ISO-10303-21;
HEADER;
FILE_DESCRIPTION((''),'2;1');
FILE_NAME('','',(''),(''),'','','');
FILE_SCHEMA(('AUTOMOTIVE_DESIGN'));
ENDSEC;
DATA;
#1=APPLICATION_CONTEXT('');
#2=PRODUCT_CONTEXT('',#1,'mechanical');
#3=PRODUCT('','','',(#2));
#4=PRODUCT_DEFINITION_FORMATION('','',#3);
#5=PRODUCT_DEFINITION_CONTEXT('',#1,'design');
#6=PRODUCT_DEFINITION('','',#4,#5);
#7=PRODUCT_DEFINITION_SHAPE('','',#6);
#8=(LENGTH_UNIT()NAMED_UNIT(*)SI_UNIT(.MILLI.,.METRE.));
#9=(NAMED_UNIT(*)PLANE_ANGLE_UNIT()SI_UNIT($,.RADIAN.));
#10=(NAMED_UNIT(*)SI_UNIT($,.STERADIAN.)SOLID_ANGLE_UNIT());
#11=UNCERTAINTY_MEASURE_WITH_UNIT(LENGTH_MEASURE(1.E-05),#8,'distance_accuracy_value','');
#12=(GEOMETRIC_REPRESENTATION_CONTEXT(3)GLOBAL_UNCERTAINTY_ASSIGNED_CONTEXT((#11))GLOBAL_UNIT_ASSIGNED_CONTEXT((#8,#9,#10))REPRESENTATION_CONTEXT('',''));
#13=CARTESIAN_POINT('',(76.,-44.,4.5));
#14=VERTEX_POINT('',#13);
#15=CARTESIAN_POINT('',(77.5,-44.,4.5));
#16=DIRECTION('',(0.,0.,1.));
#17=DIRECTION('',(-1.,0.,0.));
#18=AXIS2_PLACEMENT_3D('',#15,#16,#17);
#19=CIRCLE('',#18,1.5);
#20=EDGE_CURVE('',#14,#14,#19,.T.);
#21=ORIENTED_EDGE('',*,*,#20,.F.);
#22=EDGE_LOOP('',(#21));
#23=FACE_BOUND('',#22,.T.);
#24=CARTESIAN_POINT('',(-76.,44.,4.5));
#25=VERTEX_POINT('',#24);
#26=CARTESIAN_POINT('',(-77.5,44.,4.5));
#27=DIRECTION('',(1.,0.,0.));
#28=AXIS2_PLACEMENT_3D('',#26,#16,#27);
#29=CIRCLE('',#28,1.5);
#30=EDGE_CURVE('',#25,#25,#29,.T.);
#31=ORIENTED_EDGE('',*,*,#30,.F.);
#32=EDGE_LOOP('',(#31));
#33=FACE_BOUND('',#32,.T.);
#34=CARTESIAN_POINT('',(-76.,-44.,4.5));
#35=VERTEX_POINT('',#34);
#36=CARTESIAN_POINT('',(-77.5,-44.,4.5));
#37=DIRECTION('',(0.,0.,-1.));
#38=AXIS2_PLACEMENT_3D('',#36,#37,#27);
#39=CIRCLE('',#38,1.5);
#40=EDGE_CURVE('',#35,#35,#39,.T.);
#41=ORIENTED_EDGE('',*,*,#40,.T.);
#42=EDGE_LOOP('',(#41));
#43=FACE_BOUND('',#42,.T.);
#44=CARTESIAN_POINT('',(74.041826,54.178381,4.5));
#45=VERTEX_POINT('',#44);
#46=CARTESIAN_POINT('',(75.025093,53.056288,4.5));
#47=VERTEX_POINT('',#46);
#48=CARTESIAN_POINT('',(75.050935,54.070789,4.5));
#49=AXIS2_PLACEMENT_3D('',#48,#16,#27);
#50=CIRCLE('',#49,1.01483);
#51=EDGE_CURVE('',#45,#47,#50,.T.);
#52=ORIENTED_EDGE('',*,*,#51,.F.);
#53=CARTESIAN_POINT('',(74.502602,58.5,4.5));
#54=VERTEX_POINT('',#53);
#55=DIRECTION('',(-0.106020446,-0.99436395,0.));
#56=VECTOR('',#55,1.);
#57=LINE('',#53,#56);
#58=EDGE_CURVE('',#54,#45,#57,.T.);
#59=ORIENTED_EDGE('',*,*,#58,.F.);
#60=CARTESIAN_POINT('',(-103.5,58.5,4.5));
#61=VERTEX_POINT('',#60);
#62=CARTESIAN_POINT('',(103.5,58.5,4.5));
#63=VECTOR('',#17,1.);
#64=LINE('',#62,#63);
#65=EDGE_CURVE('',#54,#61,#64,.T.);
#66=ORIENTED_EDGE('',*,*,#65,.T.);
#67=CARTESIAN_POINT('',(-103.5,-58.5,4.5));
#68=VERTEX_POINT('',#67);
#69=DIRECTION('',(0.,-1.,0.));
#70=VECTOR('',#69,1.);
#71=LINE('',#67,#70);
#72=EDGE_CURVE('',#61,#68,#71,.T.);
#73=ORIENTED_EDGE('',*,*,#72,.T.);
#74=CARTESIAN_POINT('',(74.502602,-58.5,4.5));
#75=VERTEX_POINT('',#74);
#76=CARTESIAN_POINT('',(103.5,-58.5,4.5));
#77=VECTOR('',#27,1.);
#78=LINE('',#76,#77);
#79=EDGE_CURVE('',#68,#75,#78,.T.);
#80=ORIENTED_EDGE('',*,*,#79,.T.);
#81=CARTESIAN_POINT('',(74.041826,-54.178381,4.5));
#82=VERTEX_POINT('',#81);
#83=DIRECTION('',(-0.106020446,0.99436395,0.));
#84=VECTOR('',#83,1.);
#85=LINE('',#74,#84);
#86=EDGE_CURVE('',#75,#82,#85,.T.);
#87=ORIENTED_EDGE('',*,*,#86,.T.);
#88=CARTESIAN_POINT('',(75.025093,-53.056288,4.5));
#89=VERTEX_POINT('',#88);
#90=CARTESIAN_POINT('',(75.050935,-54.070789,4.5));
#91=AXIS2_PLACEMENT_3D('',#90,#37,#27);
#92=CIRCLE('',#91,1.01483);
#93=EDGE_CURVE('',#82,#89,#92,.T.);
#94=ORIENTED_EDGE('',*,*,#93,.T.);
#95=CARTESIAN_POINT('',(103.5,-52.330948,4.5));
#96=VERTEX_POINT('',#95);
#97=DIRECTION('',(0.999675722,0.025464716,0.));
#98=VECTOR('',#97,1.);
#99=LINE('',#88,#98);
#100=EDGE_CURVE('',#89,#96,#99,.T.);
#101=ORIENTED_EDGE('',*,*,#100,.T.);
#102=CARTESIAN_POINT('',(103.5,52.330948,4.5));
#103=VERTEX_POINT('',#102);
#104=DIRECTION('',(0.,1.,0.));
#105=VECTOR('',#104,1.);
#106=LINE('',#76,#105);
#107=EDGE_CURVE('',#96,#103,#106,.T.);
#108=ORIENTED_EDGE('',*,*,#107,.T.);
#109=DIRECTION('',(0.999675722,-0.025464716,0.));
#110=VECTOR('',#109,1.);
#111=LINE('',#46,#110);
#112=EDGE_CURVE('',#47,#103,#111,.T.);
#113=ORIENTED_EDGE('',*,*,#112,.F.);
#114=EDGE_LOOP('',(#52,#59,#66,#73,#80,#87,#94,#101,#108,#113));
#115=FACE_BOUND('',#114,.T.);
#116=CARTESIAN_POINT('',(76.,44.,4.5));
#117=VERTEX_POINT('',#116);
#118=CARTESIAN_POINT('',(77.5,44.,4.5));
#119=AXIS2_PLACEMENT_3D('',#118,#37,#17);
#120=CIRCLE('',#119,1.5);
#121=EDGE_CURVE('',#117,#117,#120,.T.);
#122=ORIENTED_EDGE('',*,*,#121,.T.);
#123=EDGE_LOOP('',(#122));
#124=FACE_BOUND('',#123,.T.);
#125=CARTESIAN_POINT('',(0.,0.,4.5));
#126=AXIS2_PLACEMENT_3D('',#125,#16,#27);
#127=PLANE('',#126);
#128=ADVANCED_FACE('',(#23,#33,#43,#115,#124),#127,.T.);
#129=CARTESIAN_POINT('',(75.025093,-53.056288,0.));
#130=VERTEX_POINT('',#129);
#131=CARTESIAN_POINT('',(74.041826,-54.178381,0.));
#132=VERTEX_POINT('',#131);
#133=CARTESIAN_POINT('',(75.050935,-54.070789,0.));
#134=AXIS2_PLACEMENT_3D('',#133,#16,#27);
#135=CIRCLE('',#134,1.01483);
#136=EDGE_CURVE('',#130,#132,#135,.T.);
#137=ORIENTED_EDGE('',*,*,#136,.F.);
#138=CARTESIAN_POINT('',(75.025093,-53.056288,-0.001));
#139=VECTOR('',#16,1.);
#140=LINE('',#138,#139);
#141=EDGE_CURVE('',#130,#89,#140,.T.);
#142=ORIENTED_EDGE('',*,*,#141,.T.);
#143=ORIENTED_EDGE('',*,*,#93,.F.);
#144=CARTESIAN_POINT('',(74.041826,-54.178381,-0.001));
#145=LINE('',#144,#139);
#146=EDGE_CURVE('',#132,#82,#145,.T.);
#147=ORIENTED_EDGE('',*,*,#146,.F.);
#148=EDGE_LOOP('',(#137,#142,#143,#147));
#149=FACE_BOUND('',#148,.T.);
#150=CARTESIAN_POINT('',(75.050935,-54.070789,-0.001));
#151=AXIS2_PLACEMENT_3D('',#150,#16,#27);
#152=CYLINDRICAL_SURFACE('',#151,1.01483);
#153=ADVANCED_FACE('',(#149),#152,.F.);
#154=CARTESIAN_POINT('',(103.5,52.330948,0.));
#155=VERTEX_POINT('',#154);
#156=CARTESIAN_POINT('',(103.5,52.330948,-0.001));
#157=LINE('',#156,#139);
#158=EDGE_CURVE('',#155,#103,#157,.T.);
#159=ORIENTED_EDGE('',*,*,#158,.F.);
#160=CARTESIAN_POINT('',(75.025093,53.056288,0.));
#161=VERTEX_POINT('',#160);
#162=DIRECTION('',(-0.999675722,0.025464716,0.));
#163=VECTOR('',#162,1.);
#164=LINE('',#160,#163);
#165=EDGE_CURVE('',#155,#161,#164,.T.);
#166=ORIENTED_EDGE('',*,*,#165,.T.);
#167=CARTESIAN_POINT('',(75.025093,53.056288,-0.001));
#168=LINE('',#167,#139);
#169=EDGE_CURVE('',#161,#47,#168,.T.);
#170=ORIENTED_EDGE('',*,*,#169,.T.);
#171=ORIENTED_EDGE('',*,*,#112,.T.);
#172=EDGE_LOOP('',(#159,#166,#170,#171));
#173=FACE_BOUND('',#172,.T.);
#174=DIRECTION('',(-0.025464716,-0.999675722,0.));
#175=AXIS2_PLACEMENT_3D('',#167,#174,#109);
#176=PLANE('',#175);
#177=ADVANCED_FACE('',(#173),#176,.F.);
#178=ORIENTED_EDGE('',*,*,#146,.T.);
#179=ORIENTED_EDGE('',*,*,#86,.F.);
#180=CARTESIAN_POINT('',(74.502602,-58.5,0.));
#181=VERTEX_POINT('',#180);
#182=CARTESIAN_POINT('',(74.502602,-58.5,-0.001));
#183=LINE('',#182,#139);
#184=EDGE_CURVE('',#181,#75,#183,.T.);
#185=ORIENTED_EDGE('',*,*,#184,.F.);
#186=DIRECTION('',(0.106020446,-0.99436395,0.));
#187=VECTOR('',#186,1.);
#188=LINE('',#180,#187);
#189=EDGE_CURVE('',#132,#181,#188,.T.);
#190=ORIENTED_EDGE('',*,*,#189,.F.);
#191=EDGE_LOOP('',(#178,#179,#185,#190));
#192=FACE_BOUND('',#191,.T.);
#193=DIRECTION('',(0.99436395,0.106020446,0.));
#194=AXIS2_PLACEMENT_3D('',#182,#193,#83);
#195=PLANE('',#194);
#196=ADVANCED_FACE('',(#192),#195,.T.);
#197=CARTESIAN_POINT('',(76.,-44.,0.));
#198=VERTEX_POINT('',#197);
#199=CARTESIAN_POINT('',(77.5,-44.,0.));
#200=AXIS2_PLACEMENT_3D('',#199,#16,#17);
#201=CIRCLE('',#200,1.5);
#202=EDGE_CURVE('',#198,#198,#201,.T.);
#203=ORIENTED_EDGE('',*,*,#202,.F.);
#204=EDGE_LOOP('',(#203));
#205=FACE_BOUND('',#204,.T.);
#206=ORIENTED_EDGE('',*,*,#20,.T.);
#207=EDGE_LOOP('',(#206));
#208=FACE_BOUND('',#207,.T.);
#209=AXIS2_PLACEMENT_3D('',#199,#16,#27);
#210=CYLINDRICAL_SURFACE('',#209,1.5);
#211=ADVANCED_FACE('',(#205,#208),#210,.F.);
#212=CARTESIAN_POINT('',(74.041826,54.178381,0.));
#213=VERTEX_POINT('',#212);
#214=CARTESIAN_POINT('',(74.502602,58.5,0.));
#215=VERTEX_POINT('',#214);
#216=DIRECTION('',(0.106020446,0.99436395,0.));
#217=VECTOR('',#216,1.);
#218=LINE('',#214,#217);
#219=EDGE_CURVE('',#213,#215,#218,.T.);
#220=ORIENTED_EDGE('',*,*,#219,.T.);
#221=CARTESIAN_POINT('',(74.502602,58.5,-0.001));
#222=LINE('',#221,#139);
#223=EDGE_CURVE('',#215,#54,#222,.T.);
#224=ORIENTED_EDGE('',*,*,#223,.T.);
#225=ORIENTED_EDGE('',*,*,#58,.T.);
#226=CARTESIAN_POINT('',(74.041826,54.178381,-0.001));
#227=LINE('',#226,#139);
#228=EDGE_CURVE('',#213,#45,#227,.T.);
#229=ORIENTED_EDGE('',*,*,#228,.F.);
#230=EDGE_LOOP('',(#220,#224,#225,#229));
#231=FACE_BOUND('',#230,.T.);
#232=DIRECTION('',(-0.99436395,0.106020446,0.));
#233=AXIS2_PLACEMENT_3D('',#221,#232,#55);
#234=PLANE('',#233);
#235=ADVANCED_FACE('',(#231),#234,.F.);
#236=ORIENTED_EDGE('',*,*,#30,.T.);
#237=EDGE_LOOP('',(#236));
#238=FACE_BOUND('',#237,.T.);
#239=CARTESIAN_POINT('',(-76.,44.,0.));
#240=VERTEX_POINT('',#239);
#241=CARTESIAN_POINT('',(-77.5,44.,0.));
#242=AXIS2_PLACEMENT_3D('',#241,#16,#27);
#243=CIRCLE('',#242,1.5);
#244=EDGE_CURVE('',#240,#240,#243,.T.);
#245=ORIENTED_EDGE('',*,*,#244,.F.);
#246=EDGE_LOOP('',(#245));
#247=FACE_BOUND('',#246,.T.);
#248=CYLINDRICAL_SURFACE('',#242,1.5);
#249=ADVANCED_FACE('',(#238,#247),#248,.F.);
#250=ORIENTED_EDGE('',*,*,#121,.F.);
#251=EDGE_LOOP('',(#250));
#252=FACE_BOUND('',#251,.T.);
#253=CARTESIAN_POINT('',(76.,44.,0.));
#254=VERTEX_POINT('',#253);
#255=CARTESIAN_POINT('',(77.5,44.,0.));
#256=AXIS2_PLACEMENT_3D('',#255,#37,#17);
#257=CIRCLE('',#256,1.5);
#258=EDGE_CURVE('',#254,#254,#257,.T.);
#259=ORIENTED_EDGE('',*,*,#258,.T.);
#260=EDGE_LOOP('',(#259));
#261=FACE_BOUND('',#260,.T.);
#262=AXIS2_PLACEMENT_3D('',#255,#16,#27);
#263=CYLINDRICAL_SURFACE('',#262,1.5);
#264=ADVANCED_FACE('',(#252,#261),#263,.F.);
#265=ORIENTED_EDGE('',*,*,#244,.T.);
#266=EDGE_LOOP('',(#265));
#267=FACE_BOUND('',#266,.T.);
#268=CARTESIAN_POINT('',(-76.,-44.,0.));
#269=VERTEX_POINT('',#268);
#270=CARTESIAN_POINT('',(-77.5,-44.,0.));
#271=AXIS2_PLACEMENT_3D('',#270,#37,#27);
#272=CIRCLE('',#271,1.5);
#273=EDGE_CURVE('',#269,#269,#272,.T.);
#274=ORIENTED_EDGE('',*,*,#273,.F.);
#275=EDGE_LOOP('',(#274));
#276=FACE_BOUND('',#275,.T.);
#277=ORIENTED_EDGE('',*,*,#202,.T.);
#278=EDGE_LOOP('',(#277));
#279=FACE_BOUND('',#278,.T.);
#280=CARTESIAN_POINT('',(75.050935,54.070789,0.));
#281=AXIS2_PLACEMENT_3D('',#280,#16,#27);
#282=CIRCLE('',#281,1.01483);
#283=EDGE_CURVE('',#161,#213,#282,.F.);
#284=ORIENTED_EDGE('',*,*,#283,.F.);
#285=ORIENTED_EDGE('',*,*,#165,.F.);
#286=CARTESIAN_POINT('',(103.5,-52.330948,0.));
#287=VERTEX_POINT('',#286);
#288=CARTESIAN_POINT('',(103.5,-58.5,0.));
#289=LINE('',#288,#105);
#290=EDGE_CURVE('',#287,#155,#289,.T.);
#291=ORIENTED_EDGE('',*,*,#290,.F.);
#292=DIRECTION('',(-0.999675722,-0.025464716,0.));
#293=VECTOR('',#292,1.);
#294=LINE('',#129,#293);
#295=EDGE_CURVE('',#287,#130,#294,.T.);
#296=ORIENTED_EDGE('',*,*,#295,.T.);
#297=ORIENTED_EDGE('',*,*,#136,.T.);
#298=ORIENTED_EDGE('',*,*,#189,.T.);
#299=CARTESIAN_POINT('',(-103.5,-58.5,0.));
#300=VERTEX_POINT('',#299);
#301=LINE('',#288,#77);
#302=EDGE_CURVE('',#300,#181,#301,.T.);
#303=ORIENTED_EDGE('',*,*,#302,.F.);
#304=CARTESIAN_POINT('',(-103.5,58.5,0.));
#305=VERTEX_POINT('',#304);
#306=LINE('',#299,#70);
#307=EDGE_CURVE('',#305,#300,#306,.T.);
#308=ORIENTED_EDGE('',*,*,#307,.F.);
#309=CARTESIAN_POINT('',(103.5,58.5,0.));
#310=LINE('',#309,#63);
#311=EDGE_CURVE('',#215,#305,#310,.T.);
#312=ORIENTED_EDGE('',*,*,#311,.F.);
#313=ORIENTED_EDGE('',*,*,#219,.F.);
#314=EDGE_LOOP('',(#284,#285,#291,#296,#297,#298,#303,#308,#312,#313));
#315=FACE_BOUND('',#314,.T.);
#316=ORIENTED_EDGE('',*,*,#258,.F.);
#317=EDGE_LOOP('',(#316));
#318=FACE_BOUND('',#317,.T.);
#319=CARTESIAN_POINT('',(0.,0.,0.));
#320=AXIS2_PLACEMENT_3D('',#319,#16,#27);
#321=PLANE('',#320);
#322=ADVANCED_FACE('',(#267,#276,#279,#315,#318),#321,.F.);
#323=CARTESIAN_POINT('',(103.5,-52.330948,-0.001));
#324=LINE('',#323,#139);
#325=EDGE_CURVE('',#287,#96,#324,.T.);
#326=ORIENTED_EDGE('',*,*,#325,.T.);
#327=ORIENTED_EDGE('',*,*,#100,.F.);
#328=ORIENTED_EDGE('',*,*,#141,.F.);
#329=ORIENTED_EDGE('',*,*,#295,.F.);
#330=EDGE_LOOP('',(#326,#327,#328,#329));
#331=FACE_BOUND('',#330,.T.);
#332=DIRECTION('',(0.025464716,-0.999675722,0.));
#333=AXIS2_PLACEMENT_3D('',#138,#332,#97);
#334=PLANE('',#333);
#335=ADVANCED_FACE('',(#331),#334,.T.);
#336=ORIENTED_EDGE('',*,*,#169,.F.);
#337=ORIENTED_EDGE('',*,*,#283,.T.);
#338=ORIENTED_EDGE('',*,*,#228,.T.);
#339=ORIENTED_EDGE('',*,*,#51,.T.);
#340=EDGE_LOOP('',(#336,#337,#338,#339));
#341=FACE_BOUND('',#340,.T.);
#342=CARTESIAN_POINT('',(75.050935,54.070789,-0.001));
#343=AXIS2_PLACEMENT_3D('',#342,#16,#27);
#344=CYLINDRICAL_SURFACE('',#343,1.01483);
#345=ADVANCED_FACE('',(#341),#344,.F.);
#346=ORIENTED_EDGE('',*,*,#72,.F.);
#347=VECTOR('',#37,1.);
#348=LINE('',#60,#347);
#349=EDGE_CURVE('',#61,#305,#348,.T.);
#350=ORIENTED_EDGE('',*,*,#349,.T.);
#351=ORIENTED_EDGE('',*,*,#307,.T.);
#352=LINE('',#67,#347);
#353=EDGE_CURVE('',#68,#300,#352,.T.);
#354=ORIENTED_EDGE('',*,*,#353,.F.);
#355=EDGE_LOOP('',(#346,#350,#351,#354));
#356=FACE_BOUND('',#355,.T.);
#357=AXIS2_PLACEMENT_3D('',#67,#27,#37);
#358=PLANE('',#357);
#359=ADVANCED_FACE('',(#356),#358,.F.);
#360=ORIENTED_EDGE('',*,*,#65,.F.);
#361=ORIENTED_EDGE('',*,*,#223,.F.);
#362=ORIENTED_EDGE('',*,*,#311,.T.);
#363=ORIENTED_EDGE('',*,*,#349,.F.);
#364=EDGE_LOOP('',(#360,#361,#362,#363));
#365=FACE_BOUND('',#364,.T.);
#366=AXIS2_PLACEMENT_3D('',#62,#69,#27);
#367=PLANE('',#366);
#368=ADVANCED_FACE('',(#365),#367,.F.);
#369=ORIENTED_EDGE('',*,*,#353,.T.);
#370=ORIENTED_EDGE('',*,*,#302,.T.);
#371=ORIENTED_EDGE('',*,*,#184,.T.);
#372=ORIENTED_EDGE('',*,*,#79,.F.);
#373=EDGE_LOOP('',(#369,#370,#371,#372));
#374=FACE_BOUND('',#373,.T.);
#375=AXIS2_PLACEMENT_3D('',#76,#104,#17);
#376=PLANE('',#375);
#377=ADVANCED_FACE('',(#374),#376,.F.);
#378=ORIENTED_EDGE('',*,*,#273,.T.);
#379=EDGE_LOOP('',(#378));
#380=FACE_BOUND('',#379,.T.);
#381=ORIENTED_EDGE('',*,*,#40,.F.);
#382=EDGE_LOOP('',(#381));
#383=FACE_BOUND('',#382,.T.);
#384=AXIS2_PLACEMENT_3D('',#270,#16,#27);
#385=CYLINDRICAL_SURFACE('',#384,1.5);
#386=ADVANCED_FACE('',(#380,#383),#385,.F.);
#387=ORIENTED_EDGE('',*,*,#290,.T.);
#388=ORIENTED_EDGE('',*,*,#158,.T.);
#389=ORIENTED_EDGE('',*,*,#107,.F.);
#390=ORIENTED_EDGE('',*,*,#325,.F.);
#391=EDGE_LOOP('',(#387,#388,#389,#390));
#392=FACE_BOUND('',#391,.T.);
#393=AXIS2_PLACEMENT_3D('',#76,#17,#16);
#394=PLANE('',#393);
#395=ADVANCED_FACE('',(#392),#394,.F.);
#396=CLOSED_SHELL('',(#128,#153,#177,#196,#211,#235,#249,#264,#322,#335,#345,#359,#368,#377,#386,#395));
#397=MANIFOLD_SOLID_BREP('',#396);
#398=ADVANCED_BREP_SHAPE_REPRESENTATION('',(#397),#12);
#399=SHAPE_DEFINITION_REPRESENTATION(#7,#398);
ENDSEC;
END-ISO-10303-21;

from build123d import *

# Parameters (mm, degrees)
SKETCH1_W               = 207
SKETCH1_H               = 117
BOSS_EXTRUDE1_DEPTH     = 4.5
SKETCH2_R               = 1.5
CUT_EXTRUDE1_DEPTH      = 5.5
MIRROR3_COPY_1_SKETCH_R = 1.5
MIRROR3_COPY_1_DEPTH    = 5.5
CUT_EXTRUDE2_DEPTH      = 4.5


with BuildPart() as part:
    # Sketch1 → Boss-Extrude1 (new body)
    with BuildSketch(Plane.XY):
        Rectangle(SKETCH1_W, SKETCH1_H)
    extrude(amount=BOSS_EXTRUDE1_DEPTH)

    # Sketch2 → Cut-Extrude1 (cut, through all)
    with BuildSketch(Plane.XY.offset(4.5)):
        with Locations((-77.5, 44)):
            Circle(SKETCH2_R)
    cut_extrude1 = extrude(amount=-CUT_EXTRUDE1_DEPTH, mode=Mode.SUBTRACT)

    # Mirror1: Cut-Extrude1 across plane
    add(cut_extrude1.mirror(Plane(origin=(0, 0, 0), x_dir=(0, 0, 1), z_dir=(1, 0, 0))), mode=Mode.SUBTRACT)

    # Mirror3: Cut-Extrude1 across plane
    add(cut_extrude1.mirror(Plane.ZX), mode=Mode.SUBTRACT)

    # Mirror3 copy 1 sketch → Mirror3 copy 1 (cut, through all)
    with BuildSketch(Plane(origin=(0, 0, 4.5), x_dir=(-1, 0, 0), z_dir=(0, 0, 1))):
        with Locations((-77.5, 44)):
            Circle(MIRROR3_COPY_1_SKETCH_R)
    extrude(amount=-MIRROR3_COPY_1_DEPTH, mode=Mode.SUBTRACT)

    # Sketch3 → Cut-Extrude2 (cut)
    with BuildSketch(Plane.XY.offset(4.5)):
        with BuildLine():
            Line((74.50260241, 58.5), (74.041825512, 54.178381356))
            ThreePointArc((74.041825512, 54.178381356), (74.287682649, 53.401965683), (75.025093069, 53.056288231))
            Line((75.025093069, 53.056288231), (103.5, 52.330947596))
            Line((103.5, 52.330947596), (103.5, 58.5))
            Line((103.5, 58.5), (74.50260241, 58.5))
        make_face()
    cut_extrude2 = extrude(amount=-CUT_EXTRUDE2_DEPTH, mode=Mode.SUBTRACT)

    # Mirror4: Cut-Extrude2 across plane
    add(cut_extrude2.mirror(Plane.ZX), mode=Mode.SUBTRACT)


solid = part.part
